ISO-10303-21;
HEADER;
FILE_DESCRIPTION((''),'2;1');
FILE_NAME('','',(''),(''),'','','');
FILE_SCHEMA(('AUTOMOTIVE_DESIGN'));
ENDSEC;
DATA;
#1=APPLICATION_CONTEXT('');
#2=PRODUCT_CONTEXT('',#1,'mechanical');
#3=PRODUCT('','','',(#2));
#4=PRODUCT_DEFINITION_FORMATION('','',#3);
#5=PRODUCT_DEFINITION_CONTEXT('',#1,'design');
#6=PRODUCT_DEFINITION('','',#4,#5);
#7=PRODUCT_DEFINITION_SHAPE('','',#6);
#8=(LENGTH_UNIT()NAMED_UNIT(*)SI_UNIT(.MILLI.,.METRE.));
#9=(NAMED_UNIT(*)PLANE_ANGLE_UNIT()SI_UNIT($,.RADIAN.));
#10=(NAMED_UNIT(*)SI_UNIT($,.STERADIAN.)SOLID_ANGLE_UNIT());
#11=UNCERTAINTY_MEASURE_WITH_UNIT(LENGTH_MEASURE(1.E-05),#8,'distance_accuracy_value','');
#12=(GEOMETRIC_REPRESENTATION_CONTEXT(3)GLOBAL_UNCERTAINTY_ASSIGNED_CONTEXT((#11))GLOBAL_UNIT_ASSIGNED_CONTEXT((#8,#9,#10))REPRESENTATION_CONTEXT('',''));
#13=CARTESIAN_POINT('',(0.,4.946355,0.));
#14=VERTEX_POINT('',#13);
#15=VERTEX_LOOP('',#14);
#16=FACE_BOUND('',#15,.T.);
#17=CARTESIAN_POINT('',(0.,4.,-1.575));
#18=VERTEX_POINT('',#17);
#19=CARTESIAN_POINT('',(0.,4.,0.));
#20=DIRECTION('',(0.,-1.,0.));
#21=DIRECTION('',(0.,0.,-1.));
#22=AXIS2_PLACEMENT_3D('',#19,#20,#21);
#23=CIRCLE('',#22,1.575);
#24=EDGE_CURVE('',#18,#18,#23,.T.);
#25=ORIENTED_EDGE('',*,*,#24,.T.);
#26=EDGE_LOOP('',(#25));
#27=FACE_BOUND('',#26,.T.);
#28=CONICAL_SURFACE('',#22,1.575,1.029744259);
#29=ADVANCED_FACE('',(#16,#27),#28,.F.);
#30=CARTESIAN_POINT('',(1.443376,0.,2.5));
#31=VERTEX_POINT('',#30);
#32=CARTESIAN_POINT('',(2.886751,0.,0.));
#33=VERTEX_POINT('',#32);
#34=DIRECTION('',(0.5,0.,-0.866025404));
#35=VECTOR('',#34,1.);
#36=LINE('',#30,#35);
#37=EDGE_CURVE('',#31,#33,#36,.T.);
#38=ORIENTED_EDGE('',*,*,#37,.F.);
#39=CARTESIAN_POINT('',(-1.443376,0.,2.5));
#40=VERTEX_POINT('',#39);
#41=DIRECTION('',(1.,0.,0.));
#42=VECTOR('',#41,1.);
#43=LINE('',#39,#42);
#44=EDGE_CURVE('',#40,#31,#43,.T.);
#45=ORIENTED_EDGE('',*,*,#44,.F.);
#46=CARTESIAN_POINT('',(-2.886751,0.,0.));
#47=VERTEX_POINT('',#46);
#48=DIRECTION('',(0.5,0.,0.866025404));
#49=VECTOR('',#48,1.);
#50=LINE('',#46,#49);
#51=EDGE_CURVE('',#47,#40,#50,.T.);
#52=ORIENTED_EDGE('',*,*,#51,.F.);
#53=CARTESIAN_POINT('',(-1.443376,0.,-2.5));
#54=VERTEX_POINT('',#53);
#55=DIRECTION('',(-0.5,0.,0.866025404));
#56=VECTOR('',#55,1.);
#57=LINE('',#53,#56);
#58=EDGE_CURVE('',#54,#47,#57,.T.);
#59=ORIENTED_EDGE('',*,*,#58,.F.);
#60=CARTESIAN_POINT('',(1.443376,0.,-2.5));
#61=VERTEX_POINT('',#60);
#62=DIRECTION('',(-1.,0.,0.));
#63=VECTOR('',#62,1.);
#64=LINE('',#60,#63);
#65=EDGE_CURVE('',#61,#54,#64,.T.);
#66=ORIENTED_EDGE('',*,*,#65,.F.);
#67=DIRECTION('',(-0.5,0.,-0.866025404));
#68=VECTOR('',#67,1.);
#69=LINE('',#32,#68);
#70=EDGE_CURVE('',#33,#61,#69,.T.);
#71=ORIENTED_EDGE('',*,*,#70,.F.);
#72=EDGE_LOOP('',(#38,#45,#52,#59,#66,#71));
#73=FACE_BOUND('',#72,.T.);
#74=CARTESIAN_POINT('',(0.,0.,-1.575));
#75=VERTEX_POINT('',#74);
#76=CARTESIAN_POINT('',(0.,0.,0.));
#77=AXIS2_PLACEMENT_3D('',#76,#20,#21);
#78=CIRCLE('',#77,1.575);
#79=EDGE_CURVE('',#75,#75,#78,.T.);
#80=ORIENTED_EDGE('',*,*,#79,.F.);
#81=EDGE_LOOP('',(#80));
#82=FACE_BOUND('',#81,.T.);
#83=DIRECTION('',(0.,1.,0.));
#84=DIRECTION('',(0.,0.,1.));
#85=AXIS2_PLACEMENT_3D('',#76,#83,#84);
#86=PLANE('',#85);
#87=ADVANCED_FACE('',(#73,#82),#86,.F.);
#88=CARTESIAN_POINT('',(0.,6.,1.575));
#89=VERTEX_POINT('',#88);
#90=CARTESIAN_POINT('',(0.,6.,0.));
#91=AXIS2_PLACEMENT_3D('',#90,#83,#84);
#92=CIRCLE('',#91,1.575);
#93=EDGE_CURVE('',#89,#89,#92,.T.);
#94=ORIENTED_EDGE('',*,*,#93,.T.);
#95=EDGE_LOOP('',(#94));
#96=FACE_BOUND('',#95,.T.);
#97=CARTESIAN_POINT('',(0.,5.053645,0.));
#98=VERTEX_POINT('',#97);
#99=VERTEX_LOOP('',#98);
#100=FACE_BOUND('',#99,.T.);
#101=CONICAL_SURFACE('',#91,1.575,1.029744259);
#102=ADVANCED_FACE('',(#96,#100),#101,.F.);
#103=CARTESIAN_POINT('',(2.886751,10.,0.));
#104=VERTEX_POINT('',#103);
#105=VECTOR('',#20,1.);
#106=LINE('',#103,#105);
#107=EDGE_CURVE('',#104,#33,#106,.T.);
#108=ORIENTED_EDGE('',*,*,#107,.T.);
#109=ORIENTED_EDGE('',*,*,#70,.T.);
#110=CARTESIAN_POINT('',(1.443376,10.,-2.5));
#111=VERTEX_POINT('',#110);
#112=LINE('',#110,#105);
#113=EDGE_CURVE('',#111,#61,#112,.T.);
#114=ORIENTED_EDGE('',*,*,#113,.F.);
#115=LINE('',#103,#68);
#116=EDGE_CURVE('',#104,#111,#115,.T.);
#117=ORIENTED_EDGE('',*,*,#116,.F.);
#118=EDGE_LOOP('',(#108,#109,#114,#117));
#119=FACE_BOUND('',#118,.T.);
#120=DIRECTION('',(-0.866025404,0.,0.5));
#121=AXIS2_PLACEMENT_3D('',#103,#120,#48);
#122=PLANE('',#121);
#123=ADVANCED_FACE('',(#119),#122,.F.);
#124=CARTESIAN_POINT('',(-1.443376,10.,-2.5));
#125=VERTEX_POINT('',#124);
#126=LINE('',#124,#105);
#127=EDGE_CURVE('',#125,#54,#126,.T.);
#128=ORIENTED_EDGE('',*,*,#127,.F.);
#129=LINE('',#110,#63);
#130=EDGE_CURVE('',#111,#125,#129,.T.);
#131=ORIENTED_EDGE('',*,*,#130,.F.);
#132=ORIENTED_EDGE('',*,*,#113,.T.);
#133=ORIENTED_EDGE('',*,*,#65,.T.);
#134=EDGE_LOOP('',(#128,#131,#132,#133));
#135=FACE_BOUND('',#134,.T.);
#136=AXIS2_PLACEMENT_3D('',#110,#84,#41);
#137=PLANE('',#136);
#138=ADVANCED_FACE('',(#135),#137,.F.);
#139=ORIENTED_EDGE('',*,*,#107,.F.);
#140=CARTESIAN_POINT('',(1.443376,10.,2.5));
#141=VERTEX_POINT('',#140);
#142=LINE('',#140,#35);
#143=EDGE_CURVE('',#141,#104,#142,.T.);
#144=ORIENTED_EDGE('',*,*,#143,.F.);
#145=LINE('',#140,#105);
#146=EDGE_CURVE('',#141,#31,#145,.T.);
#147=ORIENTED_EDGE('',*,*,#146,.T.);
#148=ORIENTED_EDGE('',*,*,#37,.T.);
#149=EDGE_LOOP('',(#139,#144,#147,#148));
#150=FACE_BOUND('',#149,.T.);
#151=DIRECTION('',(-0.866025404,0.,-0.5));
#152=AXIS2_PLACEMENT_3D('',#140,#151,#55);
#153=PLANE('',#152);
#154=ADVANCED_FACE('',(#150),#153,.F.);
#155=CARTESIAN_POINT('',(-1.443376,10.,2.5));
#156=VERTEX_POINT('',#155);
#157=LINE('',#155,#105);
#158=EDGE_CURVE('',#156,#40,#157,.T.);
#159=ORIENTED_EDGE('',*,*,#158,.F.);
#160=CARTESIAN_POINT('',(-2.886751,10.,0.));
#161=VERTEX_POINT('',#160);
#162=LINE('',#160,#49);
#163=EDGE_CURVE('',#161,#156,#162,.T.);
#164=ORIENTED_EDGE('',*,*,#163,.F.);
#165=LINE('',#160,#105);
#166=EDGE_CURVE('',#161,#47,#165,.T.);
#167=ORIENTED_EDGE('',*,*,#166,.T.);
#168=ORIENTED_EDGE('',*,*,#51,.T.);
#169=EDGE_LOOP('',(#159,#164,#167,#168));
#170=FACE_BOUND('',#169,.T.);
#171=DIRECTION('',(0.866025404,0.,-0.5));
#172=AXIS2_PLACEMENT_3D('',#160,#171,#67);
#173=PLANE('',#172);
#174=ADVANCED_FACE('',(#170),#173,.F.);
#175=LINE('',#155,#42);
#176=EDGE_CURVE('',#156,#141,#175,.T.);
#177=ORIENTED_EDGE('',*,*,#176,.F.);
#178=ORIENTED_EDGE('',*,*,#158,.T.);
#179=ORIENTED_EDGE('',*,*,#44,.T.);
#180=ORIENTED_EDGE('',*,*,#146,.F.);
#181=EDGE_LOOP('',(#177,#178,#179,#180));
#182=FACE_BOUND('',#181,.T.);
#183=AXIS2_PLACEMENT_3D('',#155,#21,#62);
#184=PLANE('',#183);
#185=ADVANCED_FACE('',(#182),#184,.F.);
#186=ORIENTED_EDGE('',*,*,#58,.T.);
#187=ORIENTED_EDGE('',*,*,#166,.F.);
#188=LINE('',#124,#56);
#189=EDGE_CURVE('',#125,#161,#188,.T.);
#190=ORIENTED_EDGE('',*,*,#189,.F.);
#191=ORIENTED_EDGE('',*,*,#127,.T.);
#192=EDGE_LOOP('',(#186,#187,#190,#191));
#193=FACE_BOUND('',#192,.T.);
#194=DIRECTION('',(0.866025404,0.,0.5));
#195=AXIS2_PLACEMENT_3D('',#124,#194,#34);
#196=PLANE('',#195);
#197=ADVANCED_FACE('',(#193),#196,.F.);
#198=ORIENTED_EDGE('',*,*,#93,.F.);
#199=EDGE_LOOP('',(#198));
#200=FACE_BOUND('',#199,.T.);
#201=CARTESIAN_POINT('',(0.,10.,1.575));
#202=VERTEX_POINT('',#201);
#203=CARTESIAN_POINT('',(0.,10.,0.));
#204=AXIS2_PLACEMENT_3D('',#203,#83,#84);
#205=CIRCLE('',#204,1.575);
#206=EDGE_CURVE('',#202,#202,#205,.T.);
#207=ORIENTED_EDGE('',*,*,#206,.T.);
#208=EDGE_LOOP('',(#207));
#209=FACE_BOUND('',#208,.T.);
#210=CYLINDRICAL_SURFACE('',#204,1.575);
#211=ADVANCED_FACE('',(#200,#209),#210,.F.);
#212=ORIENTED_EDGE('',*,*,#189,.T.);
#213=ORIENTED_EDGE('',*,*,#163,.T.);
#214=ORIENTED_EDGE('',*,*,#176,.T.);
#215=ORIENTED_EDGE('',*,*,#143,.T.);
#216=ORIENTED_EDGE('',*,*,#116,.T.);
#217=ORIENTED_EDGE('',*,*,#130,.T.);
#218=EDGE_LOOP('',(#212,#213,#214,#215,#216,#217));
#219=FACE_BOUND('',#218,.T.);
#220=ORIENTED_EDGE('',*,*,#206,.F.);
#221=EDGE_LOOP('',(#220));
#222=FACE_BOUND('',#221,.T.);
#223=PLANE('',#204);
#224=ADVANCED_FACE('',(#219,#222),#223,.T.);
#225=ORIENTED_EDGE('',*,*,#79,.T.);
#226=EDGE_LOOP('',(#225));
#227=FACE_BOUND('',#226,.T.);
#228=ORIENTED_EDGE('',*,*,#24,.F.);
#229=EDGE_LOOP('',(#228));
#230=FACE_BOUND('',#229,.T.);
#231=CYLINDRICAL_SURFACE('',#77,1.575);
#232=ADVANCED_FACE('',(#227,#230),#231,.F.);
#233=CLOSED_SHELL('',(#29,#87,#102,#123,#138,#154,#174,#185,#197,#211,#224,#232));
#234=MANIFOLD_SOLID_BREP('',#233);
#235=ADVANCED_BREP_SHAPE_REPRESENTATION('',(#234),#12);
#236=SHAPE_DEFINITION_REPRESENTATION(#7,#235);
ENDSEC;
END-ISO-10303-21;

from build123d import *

# Parameters (mm, degrees)
EXTRUDE_1_DEPTH         = 10
HOLE_WIZARD_M36_D       = 3.15
HOLE_WIZARD_M36_DEPTH   = 4
HOLE_WIZARD_M36_TIP     = 0.946355475
HOLE_WIZARD_M36_2_D     = 3.15
HOLE_WIZARD_M36_2_DEPTH = 4
HOLE_WIZARD_M36_2_TIP   = 0.946355475


with BuildPart() as part:
    # Эскиз1 → Бобышка-Вытянуть1 (new body)
    with BuildSketch(Plane(origin=(0, 0, 0), x_dir=(1, 0, 0), z_dir=(0, 1, 0))):
        Polygon((2.886751346, 0), (1.443375673, 2.5), (-1.443375673, 2.5), (-2.886751346, 0), (-1.443375673, -2.5), (1.443375673, -2.5), align=None)
    extrude(amount=EXTRUDE_1_DEPTH)

    # Hole Wizard M36
    with Locations(Plane(origin=(0, 10, 0), x_dir=(1, 0, 0), z_dir=(0, 1, 0))):
        with Locations((0, 0)):
            Hole(HOLE_WIZARD_M36_D / 2, depth=HOLE_WIZARD_M36_DEPTH)
            with Locations((0, 0, -(HOLE_WIZARD_M36_DEPTH + HOLE_WIZARD_M36_TIP / 2))):  # 118° drill point
                Cone(0, HOLE_WIZARD_M36_D / 2, HOLE_WIZARD_M36_TIP, mode=Mode.SUBTRACT)

    # Hole Wizard M36 2
    with Locations(Plane(origin=(0, 0, 0), x_dir=(-1, 0, 0), z_dir=(0, -1, 0))):
        with Locations((0, 0)):
            Hole(HOLE_WIZARD_M36_2_D / 2, depth=HOLE_WIZARD_M36_2_DEPTH)
            with Locations((0, 0, -(HOLE_WIZARD_M36_2_DEPTH + HOLE_WIZARD_M36_2_TIP / 2))):  # 118° drill point
                Cone(0, HOLE_WIZARD_M36_2_D / 2, HOLE_WIZARD_M36_2_TIP, mode=Mode.SUBTRACT)


solid = part.part
